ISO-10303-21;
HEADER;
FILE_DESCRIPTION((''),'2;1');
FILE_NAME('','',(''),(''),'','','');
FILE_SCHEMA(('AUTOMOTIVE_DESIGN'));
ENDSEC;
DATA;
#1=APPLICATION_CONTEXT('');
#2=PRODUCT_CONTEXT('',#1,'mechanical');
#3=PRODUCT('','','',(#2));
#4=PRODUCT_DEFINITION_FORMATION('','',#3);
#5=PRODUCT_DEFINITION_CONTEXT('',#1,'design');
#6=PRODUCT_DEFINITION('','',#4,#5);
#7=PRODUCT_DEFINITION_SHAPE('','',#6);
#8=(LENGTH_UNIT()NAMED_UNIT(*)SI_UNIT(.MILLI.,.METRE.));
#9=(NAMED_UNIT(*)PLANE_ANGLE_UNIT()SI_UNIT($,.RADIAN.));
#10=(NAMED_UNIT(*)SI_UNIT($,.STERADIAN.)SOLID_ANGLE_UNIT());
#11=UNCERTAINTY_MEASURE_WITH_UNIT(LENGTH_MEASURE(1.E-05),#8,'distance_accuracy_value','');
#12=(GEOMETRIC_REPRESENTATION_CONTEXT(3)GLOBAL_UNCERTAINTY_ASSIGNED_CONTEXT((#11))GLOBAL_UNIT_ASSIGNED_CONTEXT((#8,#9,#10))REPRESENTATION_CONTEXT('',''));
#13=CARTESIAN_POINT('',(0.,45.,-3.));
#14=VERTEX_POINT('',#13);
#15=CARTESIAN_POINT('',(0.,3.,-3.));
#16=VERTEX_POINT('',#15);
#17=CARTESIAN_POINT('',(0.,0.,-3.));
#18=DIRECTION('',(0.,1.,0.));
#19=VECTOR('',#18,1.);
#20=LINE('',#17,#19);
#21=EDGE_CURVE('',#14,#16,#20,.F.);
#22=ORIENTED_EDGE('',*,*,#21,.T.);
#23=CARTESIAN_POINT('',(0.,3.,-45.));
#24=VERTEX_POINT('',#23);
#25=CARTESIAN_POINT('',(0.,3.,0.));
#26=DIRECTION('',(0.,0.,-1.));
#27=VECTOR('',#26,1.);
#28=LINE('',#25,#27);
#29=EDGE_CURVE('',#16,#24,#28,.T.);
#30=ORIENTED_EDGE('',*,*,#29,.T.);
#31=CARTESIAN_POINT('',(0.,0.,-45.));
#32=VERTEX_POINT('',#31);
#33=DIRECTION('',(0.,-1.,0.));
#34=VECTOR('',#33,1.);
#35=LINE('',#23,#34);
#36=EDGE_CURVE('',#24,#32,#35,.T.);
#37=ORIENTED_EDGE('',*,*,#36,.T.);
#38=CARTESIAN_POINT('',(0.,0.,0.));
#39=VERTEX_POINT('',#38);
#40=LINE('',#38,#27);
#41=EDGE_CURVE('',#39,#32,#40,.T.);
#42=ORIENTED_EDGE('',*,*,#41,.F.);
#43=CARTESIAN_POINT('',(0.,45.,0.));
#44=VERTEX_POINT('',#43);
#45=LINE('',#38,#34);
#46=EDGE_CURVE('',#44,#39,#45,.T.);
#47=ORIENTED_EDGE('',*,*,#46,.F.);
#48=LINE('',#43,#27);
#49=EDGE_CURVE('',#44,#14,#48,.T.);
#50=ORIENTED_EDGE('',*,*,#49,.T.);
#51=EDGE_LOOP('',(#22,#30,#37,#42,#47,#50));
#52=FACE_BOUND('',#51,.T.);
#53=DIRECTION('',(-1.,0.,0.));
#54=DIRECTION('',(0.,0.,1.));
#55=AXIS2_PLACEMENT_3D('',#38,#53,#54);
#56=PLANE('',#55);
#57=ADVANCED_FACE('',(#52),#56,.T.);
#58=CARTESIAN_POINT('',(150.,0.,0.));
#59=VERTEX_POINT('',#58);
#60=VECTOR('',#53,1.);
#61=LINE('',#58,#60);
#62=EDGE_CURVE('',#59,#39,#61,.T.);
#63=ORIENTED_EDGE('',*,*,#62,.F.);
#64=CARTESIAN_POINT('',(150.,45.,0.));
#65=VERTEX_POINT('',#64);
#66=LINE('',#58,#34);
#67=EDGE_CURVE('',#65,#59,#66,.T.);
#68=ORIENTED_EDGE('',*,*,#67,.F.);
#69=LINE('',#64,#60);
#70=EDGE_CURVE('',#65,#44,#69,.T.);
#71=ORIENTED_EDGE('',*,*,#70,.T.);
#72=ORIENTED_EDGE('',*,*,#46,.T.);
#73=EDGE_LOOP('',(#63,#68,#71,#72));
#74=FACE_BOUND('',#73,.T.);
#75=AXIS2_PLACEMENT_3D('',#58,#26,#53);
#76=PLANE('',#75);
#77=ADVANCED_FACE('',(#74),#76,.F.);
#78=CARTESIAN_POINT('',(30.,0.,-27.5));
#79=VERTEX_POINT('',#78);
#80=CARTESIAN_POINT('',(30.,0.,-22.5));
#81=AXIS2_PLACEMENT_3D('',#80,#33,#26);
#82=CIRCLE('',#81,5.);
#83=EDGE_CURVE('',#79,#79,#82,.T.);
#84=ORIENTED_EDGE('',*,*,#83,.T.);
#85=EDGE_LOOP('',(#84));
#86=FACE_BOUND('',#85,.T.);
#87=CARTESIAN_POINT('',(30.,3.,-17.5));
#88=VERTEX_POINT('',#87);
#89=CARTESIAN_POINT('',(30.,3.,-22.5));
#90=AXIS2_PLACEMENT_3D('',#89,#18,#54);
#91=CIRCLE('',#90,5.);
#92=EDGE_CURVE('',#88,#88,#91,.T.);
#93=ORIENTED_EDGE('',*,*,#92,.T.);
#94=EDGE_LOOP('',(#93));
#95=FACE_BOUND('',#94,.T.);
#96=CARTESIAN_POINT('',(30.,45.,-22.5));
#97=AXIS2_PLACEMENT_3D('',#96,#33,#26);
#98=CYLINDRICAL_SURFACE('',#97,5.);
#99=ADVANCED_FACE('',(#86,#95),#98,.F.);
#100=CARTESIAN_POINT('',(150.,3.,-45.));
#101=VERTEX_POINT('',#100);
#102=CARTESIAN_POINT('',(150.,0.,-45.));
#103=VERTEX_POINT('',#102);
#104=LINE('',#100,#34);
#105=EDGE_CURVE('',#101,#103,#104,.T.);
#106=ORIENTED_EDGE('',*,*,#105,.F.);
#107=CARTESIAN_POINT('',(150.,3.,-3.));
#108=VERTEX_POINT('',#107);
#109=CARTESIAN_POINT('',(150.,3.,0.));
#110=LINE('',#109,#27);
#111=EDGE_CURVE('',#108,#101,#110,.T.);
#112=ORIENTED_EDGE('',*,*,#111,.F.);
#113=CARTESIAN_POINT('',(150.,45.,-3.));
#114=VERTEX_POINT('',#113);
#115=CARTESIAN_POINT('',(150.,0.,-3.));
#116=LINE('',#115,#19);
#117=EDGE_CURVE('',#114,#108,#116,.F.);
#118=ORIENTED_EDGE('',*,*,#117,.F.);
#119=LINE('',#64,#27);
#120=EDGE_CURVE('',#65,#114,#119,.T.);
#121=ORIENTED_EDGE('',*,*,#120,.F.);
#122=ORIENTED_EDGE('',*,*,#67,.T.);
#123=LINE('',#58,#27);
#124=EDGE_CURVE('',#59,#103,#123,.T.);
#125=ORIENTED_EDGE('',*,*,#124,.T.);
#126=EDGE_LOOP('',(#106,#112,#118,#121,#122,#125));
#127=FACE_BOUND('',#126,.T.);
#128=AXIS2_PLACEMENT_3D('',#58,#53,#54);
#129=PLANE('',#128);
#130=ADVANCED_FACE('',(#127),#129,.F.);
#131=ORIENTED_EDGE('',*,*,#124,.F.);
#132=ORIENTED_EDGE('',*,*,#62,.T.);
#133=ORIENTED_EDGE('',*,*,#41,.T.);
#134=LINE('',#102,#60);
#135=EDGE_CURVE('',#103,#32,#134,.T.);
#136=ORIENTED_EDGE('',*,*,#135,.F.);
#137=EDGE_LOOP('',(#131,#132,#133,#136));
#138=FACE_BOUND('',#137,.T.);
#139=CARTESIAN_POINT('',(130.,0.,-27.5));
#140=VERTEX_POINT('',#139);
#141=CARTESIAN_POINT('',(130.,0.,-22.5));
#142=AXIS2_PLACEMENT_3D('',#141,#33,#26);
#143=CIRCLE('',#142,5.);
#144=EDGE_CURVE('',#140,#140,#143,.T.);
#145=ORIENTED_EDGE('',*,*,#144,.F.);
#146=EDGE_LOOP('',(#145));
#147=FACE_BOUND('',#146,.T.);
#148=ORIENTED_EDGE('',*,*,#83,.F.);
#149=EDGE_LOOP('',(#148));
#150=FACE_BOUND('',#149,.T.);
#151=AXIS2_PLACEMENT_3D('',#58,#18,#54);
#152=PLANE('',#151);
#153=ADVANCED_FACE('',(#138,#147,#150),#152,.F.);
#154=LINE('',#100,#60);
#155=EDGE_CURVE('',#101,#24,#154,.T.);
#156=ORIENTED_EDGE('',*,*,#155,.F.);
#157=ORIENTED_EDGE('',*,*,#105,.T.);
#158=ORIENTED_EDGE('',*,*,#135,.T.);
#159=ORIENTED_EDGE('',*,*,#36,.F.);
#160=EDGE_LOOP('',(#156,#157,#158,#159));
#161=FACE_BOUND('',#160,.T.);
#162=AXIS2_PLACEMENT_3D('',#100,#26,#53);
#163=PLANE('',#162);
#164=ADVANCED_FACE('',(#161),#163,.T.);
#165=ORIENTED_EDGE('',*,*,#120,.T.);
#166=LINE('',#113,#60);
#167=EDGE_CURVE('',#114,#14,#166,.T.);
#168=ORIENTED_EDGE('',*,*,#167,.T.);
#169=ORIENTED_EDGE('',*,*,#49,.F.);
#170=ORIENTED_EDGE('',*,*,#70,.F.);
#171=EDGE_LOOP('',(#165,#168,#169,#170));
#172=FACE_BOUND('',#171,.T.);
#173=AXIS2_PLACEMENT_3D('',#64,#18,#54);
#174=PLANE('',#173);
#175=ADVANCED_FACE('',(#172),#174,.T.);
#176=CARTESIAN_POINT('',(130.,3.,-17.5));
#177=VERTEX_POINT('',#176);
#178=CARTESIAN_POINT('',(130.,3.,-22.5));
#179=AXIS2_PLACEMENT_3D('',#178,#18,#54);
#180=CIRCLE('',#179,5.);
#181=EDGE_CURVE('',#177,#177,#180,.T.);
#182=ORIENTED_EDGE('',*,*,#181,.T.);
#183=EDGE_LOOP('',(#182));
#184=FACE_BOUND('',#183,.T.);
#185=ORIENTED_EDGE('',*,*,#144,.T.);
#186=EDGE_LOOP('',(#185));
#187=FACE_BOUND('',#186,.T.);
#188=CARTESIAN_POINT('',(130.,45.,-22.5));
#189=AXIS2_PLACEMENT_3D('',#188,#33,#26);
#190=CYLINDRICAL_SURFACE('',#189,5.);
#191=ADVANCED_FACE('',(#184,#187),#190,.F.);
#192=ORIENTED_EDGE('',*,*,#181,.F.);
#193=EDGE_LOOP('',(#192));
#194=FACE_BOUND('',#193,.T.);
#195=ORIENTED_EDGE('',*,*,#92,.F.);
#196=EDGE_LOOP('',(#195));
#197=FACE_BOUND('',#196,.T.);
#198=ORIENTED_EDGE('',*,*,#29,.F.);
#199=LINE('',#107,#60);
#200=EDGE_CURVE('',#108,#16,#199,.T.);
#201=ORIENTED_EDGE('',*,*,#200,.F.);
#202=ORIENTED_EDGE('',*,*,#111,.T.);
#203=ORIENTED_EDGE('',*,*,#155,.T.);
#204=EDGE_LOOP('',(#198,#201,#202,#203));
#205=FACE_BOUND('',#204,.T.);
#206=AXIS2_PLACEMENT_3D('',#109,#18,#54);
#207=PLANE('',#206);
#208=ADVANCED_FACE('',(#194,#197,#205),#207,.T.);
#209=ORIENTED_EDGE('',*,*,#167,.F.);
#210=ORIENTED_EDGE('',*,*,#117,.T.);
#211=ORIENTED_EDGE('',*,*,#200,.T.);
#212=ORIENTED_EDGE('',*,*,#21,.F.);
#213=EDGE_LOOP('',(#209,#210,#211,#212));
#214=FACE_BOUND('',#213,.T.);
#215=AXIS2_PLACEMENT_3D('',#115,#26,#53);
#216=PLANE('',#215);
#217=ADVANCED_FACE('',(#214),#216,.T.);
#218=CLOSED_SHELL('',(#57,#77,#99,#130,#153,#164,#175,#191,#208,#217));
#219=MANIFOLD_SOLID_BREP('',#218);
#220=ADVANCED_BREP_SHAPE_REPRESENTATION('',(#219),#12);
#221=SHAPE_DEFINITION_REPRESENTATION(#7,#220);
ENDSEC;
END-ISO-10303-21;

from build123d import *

# Parameters (mm, degrees)
EXTRUDE_1_DEPTH     = 150
SKETCH_2_R          = 5
CUT_EXTRUDE_1_DEPTH = 46


with BuildPart() as part:
    # Эскиз1 → Вытянуть-Тонкостенный1 (new body)
    with BuildSketch(Plane(origin=(0, 0, 0), x_dir=(0, 0, -1), z_dir=(1, 0, 0))):
        Polygon((45, 0), (0, 0), (0, 45), (3, 45), (3, 3), (45, 3), align=None)
    extrude(amount=EXTRUDE_1_DEPTH)

    # Эскиз2 → Вырез-Вытянуть1 (cut, through all)
    with BuildSketch(Plane.XZ):
        with Locations((30, -22.5)):
            Circle(SKETCH_2_R)
        with Locations((130, -22.5)):
            Circle(SKETCH_2_R)
    extrude(amount=-CUT_EXTRUDE_1_DEPTH, mode=Mode.SUBTRACT)


solid = part.part
